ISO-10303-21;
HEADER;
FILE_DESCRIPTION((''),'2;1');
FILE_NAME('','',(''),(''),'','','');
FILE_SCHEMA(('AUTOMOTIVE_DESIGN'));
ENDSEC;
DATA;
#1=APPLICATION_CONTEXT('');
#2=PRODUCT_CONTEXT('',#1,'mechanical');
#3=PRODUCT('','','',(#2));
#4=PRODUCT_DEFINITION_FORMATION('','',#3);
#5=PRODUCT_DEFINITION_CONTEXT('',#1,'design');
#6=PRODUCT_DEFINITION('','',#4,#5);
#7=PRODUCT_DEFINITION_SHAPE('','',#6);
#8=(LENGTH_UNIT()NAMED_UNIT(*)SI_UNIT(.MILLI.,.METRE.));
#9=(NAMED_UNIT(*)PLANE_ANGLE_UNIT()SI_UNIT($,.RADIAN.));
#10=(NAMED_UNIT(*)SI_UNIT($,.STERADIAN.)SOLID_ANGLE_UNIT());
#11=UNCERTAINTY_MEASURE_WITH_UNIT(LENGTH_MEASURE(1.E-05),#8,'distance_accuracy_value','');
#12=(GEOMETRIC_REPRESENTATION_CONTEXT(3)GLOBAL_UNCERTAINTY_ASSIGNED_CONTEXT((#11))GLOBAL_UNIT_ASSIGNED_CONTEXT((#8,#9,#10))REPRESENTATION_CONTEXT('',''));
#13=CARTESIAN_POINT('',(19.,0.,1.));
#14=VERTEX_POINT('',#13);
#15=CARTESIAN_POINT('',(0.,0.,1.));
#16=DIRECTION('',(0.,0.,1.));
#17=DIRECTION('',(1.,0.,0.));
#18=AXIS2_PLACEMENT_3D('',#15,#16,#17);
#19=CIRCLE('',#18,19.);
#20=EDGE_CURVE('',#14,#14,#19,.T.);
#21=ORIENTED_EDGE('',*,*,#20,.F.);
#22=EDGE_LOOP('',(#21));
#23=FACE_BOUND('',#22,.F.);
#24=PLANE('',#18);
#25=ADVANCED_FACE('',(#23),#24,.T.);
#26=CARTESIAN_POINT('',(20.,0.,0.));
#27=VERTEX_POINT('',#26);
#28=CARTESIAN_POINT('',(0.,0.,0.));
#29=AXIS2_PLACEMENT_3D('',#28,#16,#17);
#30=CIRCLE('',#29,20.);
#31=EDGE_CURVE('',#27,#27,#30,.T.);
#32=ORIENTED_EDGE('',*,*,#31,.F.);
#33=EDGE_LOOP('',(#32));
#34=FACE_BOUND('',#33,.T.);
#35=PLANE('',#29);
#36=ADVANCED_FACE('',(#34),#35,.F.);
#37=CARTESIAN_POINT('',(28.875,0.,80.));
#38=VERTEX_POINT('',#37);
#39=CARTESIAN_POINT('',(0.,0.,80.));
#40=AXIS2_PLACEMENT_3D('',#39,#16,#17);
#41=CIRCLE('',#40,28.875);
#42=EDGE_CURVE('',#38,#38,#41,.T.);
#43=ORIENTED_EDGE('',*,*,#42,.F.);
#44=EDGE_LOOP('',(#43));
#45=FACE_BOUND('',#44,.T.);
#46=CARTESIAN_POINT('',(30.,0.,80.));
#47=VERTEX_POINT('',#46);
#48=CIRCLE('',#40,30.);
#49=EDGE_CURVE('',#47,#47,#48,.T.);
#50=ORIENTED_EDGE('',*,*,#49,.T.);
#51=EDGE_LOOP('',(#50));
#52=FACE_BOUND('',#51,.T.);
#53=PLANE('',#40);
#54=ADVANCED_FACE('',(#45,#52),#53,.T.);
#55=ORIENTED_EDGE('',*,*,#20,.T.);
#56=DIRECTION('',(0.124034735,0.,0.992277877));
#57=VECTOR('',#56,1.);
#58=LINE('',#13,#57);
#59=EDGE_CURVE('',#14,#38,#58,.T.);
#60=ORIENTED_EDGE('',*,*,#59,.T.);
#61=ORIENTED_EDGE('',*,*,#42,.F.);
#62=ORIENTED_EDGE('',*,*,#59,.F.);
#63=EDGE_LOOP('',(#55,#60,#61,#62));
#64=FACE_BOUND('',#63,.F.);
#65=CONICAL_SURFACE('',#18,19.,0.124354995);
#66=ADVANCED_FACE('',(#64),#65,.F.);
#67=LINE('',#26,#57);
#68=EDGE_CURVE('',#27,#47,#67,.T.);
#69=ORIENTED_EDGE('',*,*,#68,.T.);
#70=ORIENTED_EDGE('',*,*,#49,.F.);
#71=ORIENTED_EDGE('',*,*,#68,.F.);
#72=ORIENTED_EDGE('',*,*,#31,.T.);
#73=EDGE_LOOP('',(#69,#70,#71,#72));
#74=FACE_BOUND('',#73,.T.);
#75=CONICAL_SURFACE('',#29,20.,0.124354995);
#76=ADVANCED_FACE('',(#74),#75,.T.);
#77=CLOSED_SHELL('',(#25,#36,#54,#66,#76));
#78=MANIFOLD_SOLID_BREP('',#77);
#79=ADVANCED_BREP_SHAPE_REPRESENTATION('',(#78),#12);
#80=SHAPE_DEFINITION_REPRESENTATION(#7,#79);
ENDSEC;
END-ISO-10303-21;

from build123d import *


with BuildPart() as cono001:
    # Cone001 → Cone001 (revolve)
    with BuildSketch(Plane(origin=(0, 0, 1), x_dir=(1, 0, 0), z_dir=(0, -1, 0))):
        Polygon((0, 0), (19, 0), (29, 80), (0, 80), align=None)
    revolve(axis=Axis((0, 0, 1), (0, 0, 1)))


with BuildPart() as cut:
    # Cone → Cone (revolve)
    with BuildSketch(Plane.XZ):
        Polygon((0, 0), (20, 0), (30, 80), (0, 80), align=None)
    revolve(axis=Axis((0, 0, 0), (0, 0, 1)))

    # Cut: cut Cono001
    add(cono001.part, mode=Mode.SUBTRACT)


solid = cut.part
